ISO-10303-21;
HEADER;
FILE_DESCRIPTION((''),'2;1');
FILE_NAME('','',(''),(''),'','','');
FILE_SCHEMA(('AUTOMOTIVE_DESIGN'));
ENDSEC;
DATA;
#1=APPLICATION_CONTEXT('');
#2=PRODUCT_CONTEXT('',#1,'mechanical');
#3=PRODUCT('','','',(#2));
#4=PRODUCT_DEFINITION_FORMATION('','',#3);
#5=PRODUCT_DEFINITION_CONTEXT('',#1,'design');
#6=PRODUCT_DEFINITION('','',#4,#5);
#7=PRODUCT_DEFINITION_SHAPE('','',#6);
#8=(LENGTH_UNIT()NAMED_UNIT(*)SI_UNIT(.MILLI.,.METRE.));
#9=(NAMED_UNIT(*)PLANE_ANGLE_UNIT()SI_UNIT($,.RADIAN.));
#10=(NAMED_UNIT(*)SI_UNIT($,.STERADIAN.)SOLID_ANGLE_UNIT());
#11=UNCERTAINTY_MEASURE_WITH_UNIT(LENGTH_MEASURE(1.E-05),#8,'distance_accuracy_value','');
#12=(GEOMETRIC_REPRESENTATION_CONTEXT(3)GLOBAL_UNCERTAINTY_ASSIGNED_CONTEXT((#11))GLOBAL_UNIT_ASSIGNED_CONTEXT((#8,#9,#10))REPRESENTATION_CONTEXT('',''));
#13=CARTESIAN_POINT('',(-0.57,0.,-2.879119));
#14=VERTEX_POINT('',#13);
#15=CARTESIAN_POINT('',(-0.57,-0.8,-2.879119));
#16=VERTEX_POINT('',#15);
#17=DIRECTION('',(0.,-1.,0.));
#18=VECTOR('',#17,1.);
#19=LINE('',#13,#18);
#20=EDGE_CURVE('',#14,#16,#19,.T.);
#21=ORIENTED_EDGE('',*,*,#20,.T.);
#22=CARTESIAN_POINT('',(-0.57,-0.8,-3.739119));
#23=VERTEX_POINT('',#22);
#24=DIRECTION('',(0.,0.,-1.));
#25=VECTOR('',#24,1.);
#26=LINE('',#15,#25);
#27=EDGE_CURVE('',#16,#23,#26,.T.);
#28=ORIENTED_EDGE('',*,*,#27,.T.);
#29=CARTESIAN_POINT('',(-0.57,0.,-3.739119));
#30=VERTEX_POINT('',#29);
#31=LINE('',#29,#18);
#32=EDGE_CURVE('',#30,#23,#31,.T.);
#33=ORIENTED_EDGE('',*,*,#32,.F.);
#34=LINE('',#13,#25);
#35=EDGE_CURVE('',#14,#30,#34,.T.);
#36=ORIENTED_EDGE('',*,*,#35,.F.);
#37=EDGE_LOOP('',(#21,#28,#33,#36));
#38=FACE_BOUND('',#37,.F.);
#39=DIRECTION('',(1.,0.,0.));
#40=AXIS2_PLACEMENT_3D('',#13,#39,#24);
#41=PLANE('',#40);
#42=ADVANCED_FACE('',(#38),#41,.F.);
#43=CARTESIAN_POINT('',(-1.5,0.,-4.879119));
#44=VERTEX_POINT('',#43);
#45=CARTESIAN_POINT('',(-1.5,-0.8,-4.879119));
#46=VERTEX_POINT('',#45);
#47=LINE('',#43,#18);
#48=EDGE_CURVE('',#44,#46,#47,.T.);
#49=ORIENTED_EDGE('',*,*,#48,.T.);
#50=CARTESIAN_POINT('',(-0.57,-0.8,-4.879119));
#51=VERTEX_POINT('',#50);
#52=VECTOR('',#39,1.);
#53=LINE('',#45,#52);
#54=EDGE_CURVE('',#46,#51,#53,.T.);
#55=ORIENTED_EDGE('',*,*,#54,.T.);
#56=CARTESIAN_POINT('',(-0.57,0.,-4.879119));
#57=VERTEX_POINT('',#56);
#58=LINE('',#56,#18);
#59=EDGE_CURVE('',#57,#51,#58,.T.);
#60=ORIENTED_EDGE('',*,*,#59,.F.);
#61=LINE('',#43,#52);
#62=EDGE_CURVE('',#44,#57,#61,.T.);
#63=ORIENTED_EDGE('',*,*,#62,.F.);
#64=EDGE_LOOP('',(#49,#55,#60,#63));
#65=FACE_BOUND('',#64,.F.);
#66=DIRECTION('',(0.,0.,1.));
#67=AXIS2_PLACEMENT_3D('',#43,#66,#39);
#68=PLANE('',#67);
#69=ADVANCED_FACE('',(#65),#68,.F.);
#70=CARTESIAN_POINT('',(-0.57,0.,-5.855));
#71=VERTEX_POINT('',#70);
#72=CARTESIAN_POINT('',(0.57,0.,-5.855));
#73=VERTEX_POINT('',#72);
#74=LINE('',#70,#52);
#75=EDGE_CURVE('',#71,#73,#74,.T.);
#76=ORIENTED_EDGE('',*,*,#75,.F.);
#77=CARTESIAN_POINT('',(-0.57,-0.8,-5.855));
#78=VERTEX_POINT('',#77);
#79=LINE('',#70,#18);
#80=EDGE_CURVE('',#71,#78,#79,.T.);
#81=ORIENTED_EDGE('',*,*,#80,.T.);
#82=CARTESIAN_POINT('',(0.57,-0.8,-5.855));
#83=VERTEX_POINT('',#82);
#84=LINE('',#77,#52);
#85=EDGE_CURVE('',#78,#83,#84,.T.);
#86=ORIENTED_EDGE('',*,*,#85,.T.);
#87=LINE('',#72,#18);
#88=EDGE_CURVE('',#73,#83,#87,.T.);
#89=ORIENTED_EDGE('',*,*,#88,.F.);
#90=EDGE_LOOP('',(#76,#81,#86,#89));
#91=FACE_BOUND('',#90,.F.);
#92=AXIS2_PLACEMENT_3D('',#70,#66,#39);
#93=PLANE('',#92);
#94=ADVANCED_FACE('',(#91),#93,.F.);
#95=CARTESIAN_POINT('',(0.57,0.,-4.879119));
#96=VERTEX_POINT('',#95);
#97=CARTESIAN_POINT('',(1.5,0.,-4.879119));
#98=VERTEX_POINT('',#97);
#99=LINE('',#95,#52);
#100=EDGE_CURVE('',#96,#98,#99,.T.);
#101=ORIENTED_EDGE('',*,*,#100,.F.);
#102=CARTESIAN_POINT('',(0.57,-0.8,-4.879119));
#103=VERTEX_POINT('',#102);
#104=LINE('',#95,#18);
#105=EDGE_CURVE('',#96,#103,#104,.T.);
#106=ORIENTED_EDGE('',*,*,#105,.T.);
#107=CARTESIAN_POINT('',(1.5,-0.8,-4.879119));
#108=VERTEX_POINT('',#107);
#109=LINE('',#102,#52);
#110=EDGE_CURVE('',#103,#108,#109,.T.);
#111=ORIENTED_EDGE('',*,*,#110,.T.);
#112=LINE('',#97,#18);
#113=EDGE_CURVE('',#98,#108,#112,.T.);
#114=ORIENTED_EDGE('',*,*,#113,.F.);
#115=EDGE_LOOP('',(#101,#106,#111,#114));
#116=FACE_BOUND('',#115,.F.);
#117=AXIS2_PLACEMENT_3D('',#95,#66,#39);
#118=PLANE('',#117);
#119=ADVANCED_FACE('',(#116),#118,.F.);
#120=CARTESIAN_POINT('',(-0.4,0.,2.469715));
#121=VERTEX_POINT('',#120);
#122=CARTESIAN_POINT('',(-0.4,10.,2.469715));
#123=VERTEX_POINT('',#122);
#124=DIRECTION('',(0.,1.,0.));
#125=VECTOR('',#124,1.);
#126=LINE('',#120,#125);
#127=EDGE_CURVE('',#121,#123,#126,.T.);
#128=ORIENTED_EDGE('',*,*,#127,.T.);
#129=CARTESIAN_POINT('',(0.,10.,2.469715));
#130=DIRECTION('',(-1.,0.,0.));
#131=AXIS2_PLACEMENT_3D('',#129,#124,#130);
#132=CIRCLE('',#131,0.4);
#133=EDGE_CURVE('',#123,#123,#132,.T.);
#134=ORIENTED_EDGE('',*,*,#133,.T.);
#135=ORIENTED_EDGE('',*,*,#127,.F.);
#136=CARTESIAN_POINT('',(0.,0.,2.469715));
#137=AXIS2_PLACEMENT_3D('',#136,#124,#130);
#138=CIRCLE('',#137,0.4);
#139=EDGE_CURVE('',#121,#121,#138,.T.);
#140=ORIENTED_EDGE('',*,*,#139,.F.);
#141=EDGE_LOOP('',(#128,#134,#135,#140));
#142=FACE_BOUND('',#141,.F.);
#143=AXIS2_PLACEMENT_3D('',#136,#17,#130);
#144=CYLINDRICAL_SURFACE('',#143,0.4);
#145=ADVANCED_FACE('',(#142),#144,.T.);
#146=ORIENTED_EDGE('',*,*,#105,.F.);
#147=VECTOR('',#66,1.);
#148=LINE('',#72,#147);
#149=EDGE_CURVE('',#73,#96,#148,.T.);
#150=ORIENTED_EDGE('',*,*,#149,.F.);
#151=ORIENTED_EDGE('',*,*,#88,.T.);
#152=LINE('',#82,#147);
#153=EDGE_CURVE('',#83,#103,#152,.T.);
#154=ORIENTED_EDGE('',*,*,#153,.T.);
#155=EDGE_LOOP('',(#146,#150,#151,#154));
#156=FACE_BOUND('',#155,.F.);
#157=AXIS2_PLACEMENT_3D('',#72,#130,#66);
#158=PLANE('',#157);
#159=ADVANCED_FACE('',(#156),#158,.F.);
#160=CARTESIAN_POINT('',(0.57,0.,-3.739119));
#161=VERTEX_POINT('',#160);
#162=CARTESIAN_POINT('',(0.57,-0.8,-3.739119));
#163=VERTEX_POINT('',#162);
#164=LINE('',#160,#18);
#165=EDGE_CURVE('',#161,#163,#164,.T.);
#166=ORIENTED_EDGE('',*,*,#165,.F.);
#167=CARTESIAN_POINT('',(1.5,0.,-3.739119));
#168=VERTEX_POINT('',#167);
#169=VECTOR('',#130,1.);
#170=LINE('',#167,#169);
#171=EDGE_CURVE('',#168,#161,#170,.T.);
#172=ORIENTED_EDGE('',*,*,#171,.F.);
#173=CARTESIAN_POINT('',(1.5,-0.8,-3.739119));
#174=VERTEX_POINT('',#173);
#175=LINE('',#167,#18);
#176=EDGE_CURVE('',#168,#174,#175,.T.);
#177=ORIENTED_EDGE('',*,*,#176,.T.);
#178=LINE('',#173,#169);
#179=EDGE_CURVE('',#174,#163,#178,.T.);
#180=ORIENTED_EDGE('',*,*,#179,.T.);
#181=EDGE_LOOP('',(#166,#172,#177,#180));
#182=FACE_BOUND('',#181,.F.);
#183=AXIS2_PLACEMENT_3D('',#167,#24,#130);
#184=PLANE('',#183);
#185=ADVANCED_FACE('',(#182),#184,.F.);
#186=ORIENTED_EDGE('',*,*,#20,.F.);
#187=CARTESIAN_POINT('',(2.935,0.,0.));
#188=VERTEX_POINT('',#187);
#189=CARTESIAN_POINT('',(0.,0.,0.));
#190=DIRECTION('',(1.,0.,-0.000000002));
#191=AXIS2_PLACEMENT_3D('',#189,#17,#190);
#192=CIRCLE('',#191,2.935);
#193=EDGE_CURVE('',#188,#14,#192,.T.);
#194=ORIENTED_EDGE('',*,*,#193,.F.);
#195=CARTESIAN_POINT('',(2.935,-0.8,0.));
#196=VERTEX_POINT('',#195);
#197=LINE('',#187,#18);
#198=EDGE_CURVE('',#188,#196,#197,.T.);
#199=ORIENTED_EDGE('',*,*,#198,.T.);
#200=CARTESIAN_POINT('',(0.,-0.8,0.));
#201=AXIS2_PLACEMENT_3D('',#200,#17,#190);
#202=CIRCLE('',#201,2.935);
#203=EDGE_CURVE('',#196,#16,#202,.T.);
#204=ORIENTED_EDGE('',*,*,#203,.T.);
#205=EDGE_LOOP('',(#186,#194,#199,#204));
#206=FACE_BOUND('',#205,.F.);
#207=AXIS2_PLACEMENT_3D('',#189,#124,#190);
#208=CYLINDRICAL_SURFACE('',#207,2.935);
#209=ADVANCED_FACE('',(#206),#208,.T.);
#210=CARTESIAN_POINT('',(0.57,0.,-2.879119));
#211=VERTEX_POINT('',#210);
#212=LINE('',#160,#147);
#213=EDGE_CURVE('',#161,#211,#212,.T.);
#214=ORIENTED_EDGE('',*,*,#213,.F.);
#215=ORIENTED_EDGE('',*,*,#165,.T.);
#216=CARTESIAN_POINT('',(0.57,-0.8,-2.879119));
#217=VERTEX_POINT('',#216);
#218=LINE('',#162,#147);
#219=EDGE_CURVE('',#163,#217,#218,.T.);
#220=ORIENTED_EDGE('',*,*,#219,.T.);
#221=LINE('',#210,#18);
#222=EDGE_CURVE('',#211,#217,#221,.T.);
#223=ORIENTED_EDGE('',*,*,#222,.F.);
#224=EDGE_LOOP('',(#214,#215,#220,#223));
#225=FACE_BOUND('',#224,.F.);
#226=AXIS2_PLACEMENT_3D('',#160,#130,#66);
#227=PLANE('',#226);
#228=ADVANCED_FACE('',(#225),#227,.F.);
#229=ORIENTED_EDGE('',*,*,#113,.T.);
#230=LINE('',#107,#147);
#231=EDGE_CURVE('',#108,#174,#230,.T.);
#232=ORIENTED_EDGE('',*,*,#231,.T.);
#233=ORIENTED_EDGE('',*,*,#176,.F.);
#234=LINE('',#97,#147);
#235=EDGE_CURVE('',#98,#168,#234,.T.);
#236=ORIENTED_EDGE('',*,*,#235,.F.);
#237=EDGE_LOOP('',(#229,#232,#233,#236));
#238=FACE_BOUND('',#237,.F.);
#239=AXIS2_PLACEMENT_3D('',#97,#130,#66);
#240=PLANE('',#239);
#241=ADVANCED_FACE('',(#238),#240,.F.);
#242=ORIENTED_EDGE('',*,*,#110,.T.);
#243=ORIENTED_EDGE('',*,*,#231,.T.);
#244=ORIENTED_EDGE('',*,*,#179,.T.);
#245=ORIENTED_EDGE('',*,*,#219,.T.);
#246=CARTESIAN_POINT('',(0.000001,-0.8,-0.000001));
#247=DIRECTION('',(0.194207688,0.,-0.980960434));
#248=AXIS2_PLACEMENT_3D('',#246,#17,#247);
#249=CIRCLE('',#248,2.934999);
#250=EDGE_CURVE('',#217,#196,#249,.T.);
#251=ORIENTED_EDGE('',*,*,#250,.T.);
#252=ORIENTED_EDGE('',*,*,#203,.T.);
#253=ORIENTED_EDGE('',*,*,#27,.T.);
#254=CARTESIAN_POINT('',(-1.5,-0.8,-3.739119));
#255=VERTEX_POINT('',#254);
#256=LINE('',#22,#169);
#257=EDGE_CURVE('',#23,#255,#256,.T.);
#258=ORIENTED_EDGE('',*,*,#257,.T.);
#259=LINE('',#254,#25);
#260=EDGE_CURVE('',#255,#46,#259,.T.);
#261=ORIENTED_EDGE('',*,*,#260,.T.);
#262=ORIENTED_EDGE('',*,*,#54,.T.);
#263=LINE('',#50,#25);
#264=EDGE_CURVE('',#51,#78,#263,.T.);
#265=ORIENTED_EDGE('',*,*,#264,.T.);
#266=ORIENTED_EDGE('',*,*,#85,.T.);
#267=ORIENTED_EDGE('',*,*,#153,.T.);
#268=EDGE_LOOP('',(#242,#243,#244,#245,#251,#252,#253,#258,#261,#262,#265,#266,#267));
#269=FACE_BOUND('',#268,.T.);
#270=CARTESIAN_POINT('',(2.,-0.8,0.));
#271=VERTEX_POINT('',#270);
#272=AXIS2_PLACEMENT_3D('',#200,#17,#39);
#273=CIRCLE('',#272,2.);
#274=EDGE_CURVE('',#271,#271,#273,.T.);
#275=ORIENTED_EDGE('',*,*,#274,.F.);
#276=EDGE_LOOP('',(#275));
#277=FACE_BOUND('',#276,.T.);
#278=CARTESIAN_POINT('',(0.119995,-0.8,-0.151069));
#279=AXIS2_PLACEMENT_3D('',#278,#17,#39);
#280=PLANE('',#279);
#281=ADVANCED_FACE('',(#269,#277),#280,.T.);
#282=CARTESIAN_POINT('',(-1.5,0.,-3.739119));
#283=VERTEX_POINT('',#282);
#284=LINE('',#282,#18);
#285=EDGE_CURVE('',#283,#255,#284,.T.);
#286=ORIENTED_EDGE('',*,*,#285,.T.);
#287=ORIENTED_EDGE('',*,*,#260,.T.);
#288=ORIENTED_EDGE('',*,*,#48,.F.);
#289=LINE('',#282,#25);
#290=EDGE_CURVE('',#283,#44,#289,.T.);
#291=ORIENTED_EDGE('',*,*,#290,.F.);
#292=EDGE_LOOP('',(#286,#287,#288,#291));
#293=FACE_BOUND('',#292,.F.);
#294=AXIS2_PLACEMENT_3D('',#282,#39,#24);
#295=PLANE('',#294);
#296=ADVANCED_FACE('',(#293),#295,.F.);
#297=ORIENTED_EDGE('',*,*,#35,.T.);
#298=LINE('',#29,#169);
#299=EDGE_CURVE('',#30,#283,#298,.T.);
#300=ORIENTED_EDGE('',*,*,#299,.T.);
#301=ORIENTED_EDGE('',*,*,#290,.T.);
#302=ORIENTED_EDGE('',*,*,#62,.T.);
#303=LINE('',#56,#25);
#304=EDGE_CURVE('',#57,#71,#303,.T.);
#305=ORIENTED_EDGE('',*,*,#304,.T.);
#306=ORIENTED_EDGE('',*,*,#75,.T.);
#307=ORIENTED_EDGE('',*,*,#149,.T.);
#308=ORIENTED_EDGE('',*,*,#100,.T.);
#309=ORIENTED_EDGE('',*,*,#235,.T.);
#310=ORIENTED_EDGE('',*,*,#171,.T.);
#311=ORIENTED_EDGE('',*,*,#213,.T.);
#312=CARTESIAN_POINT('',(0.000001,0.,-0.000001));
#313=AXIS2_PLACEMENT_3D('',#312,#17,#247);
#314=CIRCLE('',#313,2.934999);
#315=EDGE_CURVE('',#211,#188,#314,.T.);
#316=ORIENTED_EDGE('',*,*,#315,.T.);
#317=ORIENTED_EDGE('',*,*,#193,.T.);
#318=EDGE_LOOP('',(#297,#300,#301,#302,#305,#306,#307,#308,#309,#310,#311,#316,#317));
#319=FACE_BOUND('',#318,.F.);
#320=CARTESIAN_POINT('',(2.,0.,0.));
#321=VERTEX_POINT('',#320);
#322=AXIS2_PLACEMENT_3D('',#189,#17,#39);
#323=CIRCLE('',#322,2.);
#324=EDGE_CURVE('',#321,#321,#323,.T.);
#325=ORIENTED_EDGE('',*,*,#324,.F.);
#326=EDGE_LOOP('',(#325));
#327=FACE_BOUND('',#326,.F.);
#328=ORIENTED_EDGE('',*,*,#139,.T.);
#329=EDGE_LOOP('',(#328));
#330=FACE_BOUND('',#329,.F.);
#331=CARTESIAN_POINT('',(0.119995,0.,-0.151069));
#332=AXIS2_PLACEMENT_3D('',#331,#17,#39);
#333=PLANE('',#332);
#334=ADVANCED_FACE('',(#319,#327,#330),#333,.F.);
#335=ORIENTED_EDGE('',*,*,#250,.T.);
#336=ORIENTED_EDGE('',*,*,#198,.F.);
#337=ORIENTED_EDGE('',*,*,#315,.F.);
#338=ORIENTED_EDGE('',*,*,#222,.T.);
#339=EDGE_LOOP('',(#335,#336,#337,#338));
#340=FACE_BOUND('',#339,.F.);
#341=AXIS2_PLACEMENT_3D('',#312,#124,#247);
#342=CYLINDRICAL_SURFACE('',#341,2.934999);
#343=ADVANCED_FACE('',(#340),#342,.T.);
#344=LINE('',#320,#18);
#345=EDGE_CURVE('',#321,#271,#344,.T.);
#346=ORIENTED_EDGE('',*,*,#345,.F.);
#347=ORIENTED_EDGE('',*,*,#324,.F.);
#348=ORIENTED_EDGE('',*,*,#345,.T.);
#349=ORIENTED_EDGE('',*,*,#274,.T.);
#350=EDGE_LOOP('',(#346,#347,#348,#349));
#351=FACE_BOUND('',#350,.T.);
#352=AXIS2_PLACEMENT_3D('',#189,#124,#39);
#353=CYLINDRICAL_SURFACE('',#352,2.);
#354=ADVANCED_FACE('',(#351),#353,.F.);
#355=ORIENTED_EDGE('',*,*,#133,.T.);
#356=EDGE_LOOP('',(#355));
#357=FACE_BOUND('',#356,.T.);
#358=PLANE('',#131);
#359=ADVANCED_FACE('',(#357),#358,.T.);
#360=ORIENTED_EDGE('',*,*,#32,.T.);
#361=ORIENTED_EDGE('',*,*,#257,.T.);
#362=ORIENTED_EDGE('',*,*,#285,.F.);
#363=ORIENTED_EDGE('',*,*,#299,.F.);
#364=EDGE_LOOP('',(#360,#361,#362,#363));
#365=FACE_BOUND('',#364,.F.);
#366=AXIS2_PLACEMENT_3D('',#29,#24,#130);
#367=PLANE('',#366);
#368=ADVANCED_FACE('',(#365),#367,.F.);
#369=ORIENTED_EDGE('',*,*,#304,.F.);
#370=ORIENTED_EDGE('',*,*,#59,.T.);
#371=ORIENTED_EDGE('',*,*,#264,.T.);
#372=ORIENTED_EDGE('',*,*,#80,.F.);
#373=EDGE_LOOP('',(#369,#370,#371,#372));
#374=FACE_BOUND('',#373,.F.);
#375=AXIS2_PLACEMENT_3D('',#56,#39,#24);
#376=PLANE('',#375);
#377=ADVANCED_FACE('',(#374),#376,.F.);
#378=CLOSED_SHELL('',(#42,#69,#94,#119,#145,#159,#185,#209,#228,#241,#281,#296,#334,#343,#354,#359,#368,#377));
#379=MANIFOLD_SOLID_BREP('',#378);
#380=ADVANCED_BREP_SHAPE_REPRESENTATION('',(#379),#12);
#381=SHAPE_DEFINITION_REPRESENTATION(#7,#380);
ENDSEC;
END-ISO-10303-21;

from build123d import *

# Parameters (mm, degrees)
F0_R     = 2
F1_DEPTH = 0.8
F2_R     = 0.4
F3_DEPTH = 10


with BuildPart() as f1:
    # F0 (on Front) → F1 (new body)
    with BuildSketch(Plane.XZ):
        with BuildLine():
            ThreePointArc((0.57, -2.879119), (2.267948, -1.862965), (2.935, 0))
            ThreePointArc((2.935, 0), (-1.862965, 2.267948), (-0.57, -2.879119))
            ThreePointArc((-0.57, -2.879119), (-0.286366, -2.920996), (0, -2.935))
            ThreePointArc((0, -2.935), (0.286366, -2.920996), (0.57, -2.879119))
        make_face()
        Circle(F0_R, mode=Mode.SUBTRACT)
        Polygon((1.5, -3.739119), (0.57, -3.739119), (0, -3.739119), (0, -5.855), (0.57, -5.855), (0.57, -4.879119), (1.5, -4.879119), align=None)
        with BuildLine():
            Line((0.57, -3.739119), (0.57, -2.879119))
            ThreePointArc((0.57, -2.879119), (0.286366, -2.920996), (0, -2.935))
            Line((0, -2.935), (0, -3.739119))
            Line((0, -3.739119), (0.57, -3.739119))
        make_face()
        with BuildLine():
            ThreePointArc((0, -2.935), (-0.286366, -2.920996), (-0.57, -2.879119))
            Line((-0.57, -2.879119), (-0.57, -3.739119))
            Line((-0.57, -3.739119), (0, -3.739119))
            Line((0, -3.739119), (0, -2.935))
        make_face()
        Polygon((0, -3.739119), (-0.57, -3.739119), (-1.5, -3.739119), (-1.5, -4.879119), (-0.57, -4.879119), (-0.57, -5.855), (0, -5.855), align=None)
    extrude(amount=F1_DEPTH)

    # F2 (on face) → F3 (join)
    with BuildSketch(Plane(origin=(0, 0, 0), x_dir=(-1, 0, 0), z_dir=(0, 1, 0))):
        with Locations((0, 2.469715)):
            Circle(F2_R)
    extrude(amount=F3_DEPTH)


solid = f1.part
